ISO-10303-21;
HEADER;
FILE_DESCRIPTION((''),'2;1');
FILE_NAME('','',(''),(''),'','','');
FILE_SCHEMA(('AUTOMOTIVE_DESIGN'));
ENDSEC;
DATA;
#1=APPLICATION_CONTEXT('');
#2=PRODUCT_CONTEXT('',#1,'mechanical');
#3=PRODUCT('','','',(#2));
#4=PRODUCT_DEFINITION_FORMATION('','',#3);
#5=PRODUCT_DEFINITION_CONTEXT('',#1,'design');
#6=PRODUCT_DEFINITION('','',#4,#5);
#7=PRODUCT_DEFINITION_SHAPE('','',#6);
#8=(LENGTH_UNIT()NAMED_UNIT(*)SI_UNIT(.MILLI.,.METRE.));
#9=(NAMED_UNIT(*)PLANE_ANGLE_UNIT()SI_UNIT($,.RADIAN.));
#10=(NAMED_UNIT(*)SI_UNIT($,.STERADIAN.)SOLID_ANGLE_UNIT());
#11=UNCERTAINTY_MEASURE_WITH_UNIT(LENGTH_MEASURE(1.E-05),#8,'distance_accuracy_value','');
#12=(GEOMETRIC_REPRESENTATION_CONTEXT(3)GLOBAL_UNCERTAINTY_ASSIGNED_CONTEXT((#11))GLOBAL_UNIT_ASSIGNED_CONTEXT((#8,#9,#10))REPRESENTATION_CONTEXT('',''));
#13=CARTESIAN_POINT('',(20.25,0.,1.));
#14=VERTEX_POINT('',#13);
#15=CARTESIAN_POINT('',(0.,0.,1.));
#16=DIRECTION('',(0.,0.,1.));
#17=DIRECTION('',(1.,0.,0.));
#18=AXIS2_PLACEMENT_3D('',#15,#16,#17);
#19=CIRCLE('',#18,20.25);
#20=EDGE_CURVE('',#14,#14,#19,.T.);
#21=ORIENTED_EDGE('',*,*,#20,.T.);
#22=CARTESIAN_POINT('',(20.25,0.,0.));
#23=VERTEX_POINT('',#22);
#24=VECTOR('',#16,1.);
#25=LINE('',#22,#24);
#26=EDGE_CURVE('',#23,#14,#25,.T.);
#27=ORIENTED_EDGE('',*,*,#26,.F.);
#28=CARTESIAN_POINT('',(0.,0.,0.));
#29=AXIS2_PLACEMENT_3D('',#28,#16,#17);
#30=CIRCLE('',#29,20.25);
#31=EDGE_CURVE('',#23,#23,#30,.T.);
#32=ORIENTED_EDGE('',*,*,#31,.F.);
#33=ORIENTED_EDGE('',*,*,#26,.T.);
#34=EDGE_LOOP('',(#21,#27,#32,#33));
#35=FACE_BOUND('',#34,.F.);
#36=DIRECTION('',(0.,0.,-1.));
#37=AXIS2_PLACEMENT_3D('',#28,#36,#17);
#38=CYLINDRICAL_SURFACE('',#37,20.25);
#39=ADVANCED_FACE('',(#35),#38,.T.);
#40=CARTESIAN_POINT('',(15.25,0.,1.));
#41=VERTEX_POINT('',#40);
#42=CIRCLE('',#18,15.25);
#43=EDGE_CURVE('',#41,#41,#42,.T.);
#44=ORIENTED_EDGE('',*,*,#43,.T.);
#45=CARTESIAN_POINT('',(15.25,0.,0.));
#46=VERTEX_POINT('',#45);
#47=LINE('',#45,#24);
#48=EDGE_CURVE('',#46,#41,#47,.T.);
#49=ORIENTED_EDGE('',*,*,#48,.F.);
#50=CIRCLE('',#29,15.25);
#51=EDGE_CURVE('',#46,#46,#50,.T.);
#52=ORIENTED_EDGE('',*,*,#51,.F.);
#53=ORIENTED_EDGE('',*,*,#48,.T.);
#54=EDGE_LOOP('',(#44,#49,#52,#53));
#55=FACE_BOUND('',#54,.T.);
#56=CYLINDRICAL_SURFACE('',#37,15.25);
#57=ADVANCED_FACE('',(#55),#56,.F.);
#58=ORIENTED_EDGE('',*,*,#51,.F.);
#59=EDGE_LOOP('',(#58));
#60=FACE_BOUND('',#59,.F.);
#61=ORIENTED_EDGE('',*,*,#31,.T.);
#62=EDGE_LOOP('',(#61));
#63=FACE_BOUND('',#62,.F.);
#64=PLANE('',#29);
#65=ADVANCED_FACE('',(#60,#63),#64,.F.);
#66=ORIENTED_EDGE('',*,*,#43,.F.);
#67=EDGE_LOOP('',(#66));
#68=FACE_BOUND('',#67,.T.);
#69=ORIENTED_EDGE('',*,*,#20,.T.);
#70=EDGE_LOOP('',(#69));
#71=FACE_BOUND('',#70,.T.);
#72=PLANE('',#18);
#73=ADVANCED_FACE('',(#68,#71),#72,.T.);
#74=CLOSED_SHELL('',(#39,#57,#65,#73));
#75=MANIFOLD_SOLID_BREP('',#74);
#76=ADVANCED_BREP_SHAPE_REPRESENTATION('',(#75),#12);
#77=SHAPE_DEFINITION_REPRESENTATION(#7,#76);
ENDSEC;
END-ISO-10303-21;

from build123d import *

# Parameters (mm, degrees)
SKETCH_R   = 20.25
SKETCH_R_2 = 15.25
PAD_DEPTH  = 1


with BuildPart() as part:
    # Sketch → Pad (new body)
    with BuildSketch(Plane.XY):
        Circle(SKETCH_R)
        Circle(SKETCH_R_2, mode=Mode.SUBTRACT)
    extrude(amount=PAD_DEPTH)


solid = part.part
